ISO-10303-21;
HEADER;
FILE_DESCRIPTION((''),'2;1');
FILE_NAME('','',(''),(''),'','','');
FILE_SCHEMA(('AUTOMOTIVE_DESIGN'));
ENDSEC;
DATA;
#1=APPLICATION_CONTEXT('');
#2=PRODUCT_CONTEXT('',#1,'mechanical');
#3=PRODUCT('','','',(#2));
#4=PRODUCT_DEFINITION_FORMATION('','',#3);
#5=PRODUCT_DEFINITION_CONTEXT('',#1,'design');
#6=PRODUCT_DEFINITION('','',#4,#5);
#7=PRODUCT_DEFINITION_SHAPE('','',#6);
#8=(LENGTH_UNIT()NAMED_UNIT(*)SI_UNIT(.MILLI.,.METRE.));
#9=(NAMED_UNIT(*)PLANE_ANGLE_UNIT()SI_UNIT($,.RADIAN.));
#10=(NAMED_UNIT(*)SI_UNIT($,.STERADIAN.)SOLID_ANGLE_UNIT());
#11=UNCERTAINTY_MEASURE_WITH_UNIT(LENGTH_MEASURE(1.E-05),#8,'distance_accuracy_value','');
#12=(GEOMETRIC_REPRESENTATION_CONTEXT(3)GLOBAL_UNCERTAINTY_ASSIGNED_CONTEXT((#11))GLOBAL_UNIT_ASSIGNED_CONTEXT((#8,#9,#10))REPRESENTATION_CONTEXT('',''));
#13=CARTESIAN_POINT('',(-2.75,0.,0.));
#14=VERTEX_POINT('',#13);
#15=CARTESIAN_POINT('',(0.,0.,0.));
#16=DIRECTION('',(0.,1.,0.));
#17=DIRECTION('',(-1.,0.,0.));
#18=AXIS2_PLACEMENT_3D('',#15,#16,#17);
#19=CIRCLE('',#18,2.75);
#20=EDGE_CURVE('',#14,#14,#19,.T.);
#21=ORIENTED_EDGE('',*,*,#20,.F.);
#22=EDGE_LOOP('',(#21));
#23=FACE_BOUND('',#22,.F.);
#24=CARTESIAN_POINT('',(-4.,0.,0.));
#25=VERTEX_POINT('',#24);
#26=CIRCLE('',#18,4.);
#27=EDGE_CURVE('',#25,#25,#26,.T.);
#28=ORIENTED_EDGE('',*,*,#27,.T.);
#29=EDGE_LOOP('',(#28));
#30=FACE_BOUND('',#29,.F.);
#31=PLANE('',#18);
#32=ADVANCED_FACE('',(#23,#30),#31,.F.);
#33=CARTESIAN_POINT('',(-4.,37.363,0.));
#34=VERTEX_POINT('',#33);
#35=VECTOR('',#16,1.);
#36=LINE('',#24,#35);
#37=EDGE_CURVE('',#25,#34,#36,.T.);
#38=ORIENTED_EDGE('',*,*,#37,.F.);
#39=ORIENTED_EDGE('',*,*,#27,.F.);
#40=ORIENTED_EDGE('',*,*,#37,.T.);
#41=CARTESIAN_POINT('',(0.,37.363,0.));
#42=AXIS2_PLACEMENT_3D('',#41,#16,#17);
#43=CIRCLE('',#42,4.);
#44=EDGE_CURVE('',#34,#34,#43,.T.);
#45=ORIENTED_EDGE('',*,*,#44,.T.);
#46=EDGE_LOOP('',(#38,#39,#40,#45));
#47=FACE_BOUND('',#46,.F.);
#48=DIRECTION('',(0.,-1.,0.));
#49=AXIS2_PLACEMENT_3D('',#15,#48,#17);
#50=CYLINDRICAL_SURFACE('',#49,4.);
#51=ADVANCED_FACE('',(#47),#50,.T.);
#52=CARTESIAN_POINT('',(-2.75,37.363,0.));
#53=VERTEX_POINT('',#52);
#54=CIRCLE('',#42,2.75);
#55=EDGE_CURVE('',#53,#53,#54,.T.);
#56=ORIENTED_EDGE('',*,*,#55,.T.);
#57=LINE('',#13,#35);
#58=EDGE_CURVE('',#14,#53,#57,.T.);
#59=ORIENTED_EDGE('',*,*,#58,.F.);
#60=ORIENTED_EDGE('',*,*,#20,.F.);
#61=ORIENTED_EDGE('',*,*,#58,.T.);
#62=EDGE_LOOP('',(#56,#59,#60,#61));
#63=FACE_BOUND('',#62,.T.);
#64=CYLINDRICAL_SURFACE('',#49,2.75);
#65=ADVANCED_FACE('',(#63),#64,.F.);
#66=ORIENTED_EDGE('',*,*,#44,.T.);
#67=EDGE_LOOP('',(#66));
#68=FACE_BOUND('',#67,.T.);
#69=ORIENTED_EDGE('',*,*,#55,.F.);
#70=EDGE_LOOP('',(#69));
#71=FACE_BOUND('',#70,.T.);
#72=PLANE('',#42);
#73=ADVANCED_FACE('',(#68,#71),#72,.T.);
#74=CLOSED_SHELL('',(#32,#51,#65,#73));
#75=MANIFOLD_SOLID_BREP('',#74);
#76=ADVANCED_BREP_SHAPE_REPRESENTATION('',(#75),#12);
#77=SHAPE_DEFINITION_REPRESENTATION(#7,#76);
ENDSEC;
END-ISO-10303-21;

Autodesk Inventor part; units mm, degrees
ref_plane "YZ Plane" through (0, 0, 0) normal (1, 0, 0) x (0, 1, 0)
ref_plane "XZ Plane" through (0, 0, 0) normal (0, 1, 0) x (-1, 0, 0)
ref_plane "XY Plane" through (0, 0, 0) normal (0, 0, 1) x (1, 0, 0)
sketch "Esboço1" plane through (0, 0, 0) normal (0, 1, 0) x (-1, 0, 0)
  circle A0 centre (0, 0) radius 2.75
  circle A1 centre (0, 0) radius 4
  dimension "d0" = 5.5
  dimension "d1" = 8
extrude "Extrusão1" add sketch "Esboço1" along normal blind 37.363
properties part number "ESPAÇADOR"
